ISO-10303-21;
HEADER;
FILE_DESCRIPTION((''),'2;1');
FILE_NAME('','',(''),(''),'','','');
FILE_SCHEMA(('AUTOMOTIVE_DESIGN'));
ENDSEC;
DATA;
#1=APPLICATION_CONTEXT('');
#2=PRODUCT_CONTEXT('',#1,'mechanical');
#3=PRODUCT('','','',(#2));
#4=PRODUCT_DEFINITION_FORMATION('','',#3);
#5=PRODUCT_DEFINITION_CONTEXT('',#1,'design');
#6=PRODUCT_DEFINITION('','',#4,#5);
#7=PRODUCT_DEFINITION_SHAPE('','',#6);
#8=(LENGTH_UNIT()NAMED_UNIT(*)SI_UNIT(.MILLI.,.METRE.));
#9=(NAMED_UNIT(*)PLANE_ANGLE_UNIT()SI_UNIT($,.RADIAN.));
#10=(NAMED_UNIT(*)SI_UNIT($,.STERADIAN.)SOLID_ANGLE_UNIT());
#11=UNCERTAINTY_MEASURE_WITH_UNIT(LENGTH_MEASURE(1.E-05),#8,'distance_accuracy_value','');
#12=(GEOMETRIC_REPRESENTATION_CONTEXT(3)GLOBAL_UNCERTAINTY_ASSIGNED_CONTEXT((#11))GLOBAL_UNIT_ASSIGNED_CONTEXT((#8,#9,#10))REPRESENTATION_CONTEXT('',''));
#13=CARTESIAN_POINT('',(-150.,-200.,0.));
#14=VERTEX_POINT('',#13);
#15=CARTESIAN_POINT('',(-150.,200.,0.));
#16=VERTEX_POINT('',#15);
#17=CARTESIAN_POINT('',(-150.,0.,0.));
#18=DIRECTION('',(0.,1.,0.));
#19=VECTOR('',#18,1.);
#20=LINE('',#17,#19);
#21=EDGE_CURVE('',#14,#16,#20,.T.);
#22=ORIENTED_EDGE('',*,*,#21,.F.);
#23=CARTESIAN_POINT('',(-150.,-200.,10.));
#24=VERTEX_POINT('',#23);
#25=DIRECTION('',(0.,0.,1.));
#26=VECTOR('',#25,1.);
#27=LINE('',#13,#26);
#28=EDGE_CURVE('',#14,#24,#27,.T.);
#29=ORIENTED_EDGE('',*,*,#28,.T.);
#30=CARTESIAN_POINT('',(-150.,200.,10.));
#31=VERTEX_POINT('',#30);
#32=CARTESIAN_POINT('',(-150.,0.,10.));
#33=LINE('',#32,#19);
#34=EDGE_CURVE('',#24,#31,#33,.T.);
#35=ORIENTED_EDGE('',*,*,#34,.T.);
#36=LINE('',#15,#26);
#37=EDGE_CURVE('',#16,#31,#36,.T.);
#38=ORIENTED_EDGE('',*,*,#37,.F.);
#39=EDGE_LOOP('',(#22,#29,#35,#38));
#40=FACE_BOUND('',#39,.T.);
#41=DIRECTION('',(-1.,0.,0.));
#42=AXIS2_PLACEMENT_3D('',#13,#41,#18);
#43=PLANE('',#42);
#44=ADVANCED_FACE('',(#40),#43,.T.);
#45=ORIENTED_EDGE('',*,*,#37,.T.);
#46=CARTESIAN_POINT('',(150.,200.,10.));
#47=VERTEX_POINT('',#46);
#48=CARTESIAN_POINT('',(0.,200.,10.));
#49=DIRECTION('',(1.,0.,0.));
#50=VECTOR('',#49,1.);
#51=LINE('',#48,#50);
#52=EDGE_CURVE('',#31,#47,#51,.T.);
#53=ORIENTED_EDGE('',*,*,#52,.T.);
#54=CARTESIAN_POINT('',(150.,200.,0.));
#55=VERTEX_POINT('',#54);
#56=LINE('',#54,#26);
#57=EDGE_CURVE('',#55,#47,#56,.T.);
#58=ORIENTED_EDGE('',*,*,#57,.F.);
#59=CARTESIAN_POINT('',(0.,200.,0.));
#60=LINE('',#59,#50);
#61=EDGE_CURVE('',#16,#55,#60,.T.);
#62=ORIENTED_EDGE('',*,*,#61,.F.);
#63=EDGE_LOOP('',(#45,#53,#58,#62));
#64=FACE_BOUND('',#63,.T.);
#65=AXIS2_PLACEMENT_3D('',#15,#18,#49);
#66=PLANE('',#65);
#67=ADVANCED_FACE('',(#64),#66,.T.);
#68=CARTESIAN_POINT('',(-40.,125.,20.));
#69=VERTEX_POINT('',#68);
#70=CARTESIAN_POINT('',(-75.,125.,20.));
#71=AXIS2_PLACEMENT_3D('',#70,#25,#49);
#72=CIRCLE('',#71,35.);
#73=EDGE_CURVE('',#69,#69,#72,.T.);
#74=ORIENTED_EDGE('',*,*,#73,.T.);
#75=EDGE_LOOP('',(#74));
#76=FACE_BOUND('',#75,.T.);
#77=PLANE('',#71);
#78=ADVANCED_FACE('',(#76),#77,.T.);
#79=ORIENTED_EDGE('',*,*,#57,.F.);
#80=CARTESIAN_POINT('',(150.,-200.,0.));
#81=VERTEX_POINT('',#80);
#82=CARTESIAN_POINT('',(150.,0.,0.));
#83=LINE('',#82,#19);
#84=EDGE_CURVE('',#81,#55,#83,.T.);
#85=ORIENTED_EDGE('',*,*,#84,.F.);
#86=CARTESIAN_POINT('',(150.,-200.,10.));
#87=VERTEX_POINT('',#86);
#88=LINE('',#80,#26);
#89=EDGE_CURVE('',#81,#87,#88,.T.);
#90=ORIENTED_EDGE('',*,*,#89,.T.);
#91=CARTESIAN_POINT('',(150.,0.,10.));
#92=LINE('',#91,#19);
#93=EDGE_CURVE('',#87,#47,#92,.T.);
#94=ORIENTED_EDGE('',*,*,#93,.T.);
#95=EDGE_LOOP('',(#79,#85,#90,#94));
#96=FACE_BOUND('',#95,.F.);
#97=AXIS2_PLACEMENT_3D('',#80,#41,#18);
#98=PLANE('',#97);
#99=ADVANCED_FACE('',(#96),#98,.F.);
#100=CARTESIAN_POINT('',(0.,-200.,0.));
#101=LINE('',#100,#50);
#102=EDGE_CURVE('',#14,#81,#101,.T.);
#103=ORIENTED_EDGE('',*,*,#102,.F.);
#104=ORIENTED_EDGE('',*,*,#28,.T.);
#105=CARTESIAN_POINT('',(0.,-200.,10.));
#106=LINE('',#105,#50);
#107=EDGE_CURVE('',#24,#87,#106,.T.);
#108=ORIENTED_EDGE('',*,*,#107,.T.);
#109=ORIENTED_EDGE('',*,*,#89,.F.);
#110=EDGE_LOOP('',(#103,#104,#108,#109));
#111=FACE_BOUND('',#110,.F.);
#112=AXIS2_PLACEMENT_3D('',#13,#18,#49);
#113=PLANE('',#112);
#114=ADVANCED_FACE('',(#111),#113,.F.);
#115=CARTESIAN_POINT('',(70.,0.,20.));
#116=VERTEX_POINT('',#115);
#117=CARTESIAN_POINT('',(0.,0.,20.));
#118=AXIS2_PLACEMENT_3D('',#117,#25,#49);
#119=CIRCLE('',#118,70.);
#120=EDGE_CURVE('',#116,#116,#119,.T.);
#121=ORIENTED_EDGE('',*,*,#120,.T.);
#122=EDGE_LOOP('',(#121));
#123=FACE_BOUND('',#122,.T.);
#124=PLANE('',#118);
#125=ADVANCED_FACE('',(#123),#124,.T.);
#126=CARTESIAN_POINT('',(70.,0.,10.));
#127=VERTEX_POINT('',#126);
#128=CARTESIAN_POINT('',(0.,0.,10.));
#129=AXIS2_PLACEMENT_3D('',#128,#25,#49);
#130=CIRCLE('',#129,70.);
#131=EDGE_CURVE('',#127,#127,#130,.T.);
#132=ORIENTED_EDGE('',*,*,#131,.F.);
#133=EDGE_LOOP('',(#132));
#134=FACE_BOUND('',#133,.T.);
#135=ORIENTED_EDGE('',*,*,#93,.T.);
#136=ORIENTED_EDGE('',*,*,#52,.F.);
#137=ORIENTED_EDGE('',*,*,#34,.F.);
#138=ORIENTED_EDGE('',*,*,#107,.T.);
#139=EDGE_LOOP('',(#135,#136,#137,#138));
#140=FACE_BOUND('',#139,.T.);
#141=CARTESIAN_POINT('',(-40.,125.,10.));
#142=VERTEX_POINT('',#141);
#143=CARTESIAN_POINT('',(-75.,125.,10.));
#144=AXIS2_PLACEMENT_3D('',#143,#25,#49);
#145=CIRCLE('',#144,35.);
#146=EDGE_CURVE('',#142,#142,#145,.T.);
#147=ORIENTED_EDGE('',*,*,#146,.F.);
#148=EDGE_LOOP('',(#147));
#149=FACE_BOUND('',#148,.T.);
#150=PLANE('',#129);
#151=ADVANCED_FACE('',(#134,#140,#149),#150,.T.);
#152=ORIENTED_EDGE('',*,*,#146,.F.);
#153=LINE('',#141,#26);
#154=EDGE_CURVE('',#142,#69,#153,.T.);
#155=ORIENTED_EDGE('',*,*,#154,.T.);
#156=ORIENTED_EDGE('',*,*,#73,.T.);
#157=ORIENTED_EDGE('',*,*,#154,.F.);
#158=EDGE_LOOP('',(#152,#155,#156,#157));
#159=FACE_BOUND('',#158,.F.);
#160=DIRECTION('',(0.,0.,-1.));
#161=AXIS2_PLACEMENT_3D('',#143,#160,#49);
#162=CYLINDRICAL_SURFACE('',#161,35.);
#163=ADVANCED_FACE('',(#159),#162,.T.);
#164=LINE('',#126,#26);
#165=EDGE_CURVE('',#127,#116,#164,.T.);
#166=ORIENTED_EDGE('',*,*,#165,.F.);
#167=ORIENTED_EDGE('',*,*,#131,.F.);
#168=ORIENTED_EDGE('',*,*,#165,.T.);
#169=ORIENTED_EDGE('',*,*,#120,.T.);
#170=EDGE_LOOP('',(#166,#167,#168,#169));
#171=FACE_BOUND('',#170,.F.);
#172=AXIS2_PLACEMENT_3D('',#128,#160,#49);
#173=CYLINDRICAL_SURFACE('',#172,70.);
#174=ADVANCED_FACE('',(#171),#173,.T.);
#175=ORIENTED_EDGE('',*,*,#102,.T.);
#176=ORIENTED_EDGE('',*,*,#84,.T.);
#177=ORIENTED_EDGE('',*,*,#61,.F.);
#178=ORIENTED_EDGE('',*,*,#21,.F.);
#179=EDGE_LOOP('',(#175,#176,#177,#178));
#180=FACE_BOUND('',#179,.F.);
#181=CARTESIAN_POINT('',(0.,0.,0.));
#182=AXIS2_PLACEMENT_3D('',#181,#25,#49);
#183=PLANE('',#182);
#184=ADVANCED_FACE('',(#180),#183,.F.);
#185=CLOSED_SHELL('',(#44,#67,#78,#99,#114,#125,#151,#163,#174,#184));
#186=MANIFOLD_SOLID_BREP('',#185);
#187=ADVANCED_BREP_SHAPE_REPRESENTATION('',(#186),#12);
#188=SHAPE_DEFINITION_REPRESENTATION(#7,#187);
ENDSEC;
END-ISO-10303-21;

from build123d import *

# Parameters (mm, degrees)
F0_W     = 300
F0_H     = 400
F1_DEPTH = 10
F2_R     = 35
F3_DEPTH = 10
F4_R     = 70
F5_DEPTH = 10


with BuildPart() as f1:
    # F0 (on Top) → F1 (new body)
    with BuildSketch(Plane.XY):
        Rectangle(F0_W, F0_H)
    extrude(amount=F1_DEPTH)

    # F2 (on face) → F3 (join)
    with BuildSketch(Plane.XY.offset(10)):
        with Locations((-75, 125)):
            Circle(F2_R)
    extrude(amount=F3_DEPTH)

    # F4 (on face) → F5 (join)
    with BuildSketch(Plane.XY.offset(10)):
        Circle(F4_R)
    extrude(amount=F5_DEPTH)


solid = f1.part
